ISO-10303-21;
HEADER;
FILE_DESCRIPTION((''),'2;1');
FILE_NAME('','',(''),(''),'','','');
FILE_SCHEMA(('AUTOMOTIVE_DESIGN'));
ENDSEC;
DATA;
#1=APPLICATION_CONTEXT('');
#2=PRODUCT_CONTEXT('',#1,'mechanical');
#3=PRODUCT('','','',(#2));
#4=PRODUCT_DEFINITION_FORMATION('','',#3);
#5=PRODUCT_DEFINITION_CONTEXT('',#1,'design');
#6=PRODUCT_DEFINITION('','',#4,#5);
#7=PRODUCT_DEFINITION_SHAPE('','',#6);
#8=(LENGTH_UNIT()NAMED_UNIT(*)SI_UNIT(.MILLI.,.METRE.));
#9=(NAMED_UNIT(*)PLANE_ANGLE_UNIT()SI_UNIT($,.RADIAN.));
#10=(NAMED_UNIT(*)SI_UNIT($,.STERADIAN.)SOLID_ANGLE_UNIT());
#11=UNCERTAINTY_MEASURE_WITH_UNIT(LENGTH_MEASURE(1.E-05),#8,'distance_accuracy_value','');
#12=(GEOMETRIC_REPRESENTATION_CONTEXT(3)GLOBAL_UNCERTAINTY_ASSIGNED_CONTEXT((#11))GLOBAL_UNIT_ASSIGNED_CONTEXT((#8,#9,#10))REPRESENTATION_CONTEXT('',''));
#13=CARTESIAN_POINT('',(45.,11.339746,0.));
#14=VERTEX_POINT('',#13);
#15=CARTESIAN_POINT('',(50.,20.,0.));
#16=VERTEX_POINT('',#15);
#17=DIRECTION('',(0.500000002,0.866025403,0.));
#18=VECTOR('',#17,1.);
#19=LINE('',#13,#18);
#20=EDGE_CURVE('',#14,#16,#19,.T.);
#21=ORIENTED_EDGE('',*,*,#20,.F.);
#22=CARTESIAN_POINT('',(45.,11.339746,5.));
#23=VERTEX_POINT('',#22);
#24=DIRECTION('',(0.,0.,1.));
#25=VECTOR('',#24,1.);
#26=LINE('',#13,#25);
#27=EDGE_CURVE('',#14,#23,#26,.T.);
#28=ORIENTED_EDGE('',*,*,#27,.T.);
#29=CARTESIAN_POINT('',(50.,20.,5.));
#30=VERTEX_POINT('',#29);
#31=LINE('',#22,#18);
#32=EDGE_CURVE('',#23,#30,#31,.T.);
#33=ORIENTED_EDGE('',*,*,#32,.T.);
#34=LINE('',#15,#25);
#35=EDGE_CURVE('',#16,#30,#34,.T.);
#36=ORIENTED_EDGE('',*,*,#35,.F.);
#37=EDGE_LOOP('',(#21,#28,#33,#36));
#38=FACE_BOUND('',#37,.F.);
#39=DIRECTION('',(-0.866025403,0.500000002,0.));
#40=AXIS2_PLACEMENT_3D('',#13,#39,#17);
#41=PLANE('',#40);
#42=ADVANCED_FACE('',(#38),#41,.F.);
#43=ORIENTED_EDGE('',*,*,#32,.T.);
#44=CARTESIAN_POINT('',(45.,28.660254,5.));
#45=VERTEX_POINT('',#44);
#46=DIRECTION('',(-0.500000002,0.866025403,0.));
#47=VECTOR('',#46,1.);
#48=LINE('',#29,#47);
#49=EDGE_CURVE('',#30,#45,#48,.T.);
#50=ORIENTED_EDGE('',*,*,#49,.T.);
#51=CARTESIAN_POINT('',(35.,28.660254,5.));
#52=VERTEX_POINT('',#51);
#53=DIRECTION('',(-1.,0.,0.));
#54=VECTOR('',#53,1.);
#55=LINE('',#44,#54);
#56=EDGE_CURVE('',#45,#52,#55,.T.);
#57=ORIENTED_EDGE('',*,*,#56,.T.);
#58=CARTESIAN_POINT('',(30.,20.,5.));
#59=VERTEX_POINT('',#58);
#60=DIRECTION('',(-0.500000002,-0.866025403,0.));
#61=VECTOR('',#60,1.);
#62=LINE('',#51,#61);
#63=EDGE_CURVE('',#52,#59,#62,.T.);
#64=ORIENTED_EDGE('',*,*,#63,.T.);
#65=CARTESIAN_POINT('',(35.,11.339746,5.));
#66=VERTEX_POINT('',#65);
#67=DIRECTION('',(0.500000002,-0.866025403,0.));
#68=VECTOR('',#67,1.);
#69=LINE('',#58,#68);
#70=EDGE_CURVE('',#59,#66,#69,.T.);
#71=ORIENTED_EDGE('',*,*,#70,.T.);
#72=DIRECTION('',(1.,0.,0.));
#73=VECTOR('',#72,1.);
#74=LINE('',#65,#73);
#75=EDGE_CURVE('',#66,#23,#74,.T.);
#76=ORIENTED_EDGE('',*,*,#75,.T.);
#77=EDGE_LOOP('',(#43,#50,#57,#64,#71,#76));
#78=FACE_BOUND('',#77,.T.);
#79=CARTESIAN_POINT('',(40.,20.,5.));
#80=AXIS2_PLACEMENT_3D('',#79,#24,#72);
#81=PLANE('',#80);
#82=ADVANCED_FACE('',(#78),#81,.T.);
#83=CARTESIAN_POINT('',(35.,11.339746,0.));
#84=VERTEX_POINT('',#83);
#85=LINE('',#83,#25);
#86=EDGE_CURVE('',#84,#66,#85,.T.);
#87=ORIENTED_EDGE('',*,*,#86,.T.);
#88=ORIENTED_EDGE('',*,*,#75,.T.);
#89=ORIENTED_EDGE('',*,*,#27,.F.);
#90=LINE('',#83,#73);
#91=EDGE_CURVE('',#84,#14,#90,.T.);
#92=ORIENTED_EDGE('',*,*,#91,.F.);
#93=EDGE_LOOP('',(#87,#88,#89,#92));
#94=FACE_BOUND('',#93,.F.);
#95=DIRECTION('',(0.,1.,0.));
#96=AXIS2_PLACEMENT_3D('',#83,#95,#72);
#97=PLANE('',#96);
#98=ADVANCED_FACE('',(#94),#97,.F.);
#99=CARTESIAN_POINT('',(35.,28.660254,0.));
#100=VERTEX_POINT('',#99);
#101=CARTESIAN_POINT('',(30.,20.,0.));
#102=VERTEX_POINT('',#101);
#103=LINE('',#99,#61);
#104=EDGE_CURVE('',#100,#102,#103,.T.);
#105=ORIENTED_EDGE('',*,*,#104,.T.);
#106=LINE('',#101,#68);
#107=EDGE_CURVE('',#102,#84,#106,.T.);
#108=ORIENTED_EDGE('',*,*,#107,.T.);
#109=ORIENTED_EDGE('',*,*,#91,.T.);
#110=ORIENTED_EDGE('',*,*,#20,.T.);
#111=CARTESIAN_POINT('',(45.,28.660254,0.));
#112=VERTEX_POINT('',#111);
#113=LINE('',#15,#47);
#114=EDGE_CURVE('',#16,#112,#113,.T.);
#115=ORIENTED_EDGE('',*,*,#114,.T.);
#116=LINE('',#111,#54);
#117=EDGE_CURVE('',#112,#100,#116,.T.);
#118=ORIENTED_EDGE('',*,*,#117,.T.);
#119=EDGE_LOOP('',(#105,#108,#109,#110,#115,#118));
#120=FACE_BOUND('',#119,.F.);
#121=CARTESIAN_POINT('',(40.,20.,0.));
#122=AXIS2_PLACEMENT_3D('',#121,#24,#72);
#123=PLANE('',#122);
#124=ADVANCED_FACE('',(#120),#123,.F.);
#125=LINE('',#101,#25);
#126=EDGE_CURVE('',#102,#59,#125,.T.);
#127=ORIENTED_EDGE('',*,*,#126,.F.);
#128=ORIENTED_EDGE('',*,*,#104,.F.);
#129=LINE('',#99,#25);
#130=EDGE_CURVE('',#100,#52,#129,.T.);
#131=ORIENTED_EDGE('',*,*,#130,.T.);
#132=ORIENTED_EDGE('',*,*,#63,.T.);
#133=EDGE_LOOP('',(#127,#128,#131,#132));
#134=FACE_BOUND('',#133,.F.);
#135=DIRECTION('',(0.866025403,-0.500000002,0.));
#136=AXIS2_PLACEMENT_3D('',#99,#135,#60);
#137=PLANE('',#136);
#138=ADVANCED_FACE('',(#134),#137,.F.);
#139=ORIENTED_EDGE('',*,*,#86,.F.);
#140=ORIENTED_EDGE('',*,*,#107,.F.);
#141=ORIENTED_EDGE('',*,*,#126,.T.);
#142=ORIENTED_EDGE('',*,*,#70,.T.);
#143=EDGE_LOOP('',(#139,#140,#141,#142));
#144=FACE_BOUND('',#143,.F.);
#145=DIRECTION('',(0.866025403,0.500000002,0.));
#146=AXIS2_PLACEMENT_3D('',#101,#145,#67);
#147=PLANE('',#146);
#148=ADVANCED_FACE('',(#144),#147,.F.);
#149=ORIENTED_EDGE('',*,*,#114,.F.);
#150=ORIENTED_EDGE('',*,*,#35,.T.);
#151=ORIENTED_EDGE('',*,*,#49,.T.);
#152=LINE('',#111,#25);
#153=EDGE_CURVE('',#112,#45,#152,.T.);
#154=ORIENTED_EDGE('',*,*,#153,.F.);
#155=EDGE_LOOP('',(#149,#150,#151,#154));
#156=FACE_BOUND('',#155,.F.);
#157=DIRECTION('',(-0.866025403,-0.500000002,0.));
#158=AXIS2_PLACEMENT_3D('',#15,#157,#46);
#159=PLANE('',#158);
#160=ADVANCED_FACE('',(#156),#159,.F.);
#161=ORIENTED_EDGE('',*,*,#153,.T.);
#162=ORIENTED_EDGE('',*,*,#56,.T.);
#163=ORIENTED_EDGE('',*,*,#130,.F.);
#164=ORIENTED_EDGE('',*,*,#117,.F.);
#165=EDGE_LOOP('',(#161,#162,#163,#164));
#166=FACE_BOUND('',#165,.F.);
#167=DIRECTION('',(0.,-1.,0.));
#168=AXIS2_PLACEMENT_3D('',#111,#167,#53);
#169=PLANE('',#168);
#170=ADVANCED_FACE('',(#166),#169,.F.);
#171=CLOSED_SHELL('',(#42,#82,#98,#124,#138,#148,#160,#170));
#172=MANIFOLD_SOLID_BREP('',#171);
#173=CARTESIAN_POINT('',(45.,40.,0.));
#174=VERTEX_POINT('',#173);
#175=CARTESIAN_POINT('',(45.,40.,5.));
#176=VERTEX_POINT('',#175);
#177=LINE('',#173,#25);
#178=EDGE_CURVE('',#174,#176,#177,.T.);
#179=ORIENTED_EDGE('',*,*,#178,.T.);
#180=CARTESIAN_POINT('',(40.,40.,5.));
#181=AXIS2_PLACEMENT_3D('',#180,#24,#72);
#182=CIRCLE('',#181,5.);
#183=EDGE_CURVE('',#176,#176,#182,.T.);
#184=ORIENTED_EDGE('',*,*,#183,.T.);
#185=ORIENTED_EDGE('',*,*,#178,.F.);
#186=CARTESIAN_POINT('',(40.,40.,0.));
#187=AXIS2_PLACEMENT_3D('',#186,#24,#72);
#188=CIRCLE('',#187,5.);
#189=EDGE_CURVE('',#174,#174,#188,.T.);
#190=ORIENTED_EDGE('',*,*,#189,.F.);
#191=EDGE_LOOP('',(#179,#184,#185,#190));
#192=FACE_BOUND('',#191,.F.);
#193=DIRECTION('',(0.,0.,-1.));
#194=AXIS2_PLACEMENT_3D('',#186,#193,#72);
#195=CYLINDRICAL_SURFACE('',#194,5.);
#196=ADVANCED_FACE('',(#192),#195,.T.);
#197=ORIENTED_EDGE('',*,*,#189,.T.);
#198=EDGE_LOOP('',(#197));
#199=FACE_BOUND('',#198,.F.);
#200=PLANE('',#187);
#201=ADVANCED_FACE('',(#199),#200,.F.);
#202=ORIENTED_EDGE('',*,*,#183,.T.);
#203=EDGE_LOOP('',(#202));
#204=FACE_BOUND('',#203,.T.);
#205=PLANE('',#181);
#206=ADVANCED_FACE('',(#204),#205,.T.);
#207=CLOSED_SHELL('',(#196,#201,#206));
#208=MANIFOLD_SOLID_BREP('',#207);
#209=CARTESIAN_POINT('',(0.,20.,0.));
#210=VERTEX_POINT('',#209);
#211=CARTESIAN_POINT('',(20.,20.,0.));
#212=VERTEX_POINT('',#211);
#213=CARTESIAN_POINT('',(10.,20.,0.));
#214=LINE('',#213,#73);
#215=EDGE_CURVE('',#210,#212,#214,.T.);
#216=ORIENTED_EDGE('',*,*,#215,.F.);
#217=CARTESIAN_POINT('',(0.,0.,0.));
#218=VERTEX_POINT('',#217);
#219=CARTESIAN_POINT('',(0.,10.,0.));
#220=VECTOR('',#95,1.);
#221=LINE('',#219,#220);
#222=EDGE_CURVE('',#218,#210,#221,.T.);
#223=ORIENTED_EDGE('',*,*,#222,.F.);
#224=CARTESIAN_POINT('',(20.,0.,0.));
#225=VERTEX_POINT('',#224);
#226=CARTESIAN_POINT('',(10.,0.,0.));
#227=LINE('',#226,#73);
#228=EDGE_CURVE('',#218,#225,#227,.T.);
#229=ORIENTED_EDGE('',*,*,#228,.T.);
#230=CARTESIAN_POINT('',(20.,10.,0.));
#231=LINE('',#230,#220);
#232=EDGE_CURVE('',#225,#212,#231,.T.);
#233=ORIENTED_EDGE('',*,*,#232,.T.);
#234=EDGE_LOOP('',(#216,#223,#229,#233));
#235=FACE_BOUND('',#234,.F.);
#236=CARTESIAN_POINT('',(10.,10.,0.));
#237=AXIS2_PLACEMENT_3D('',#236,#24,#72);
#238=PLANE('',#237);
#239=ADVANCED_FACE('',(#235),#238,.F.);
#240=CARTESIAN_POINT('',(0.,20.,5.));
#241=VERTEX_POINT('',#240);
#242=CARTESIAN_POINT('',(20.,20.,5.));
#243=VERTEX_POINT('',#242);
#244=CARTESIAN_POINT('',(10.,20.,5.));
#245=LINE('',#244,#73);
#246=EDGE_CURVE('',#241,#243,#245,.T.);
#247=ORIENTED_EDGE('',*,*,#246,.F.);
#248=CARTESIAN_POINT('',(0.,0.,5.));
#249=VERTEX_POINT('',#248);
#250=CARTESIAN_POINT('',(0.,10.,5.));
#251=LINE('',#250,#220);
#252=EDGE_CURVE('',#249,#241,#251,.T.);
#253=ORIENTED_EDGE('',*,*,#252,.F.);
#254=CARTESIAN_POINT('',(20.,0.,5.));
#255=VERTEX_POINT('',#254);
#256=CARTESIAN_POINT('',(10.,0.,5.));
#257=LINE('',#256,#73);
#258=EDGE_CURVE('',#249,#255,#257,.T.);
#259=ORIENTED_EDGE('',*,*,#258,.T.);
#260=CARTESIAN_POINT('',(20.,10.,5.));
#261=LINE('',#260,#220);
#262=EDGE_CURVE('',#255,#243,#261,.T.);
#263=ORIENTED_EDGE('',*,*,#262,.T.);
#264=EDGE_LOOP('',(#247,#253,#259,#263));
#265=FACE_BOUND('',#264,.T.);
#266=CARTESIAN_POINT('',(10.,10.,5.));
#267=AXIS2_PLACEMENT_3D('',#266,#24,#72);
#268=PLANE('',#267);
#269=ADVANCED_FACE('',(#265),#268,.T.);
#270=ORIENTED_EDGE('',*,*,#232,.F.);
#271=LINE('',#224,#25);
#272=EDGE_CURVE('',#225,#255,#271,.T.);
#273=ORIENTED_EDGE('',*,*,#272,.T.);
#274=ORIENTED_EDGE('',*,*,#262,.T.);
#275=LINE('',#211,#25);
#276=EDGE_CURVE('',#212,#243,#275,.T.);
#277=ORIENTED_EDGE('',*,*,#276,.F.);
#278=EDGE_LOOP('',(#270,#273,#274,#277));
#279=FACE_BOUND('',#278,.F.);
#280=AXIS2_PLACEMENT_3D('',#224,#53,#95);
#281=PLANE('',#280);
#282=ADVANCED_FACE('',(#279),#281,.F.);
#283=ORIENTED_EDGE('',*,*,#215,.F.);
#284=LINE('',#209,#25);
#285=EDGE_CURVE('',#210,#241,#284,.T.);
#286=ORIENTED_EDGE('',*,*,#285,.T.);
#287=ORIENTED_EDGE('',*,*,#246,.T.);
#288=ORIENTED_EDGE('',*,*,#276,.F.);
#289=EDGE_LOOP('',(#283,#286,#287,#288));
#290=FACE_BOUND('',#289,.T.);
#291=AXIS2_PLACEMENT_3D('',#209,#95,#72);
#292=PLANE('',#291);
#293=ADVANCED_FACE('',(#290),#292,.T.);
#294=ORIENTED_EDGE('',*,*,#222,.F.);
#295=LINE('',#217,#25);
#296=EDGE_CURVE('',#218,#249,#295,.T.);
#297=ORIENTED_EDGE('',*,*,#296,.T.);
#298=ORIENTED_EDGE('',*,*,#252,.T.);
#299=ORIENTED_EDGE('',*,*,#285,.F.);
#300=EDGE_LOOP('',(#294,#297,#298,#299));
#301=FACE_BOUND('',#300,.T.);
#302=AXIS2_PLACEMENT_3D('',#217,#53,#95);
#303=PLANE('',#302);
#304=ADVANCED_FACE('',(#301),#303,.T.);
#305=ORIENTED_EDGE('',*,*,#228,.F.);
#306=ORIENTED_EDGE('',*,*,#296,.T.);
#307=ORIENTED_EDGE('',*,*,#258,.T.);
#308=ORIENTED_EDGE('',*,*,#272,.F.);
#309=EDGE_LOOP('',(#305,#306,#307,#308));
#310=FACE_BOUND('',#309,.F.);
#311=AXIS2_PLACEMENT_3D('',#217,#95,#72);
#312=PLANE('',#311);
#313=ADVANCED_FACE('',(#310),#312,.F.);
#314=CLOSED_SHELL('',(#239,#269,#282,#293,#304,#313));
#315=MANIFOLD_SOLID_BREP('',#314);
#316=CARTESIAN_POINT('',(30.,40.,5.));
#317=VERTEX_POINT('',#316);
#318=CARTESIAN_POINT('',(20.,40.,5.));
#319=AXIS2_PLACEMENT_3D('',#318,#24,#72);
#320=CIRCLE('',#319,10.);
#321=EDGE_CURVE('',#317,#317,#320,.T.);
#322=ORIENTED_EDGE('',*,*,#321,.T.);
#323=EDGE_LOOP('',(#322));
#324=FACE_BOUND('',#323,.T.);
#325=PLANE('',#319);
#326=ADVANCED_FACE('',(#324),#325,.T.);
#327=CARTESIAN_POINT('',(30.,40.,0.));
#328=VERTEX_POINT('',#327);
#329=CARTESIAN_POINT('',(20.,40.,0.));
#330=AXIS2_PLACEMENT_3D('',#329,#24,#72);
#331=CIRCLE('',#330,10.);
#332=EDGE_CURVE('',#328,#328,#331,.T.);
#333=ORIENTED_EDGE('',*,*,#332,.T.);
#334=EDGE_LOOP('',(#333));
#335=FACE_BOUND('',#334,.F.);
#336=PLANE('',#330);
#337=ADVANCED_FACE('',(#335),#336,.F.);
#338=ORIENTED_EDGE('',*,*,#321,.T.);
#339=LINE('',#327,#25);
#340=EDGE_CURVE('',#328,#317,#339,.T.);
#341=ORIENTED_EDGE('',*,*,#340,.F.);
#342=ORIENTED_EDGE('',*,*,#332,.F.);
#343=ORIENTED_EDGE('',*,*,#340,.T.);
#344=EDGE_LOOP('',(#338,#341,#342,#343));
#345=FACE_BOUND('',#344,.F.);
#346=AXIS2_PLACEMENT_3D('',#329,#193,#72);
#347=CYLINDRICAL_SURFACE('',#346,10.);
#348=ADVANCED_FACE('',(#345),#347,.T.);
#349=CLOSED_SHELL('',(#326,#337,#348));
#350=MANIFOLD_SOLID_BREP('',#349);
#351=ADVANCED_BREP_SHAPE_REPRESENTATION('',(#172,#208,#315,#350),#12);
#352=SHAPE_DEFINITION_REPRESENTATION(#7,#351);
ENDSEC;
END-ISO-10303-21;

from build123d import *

# Parameters (mm, degrees)
F0_W     = 20
F0_H     = 20
F0_R     = 5
F0_R_2   = 10
F1_DEPTH = 5


with BuildPart() as f1:
    # F0 (on Top) → F1 (new body)
    with BuildSketch(Plane.XY):
        with Locations((10, 10)):
            Rectangle(F0_W, F0_H)
        Polygon((35, 11.339746), (45, 11.339746), (50, 20), (45, 28.660254), (35, 28.660254), (30, 20), align=None)
        with Locations((40, 40)):
            Circle(F0_R)
        with Locations((20, 40)):
            Circle(F0_R_2)
    extrude(amount=F1_DEPTH)


solid = f1.part
